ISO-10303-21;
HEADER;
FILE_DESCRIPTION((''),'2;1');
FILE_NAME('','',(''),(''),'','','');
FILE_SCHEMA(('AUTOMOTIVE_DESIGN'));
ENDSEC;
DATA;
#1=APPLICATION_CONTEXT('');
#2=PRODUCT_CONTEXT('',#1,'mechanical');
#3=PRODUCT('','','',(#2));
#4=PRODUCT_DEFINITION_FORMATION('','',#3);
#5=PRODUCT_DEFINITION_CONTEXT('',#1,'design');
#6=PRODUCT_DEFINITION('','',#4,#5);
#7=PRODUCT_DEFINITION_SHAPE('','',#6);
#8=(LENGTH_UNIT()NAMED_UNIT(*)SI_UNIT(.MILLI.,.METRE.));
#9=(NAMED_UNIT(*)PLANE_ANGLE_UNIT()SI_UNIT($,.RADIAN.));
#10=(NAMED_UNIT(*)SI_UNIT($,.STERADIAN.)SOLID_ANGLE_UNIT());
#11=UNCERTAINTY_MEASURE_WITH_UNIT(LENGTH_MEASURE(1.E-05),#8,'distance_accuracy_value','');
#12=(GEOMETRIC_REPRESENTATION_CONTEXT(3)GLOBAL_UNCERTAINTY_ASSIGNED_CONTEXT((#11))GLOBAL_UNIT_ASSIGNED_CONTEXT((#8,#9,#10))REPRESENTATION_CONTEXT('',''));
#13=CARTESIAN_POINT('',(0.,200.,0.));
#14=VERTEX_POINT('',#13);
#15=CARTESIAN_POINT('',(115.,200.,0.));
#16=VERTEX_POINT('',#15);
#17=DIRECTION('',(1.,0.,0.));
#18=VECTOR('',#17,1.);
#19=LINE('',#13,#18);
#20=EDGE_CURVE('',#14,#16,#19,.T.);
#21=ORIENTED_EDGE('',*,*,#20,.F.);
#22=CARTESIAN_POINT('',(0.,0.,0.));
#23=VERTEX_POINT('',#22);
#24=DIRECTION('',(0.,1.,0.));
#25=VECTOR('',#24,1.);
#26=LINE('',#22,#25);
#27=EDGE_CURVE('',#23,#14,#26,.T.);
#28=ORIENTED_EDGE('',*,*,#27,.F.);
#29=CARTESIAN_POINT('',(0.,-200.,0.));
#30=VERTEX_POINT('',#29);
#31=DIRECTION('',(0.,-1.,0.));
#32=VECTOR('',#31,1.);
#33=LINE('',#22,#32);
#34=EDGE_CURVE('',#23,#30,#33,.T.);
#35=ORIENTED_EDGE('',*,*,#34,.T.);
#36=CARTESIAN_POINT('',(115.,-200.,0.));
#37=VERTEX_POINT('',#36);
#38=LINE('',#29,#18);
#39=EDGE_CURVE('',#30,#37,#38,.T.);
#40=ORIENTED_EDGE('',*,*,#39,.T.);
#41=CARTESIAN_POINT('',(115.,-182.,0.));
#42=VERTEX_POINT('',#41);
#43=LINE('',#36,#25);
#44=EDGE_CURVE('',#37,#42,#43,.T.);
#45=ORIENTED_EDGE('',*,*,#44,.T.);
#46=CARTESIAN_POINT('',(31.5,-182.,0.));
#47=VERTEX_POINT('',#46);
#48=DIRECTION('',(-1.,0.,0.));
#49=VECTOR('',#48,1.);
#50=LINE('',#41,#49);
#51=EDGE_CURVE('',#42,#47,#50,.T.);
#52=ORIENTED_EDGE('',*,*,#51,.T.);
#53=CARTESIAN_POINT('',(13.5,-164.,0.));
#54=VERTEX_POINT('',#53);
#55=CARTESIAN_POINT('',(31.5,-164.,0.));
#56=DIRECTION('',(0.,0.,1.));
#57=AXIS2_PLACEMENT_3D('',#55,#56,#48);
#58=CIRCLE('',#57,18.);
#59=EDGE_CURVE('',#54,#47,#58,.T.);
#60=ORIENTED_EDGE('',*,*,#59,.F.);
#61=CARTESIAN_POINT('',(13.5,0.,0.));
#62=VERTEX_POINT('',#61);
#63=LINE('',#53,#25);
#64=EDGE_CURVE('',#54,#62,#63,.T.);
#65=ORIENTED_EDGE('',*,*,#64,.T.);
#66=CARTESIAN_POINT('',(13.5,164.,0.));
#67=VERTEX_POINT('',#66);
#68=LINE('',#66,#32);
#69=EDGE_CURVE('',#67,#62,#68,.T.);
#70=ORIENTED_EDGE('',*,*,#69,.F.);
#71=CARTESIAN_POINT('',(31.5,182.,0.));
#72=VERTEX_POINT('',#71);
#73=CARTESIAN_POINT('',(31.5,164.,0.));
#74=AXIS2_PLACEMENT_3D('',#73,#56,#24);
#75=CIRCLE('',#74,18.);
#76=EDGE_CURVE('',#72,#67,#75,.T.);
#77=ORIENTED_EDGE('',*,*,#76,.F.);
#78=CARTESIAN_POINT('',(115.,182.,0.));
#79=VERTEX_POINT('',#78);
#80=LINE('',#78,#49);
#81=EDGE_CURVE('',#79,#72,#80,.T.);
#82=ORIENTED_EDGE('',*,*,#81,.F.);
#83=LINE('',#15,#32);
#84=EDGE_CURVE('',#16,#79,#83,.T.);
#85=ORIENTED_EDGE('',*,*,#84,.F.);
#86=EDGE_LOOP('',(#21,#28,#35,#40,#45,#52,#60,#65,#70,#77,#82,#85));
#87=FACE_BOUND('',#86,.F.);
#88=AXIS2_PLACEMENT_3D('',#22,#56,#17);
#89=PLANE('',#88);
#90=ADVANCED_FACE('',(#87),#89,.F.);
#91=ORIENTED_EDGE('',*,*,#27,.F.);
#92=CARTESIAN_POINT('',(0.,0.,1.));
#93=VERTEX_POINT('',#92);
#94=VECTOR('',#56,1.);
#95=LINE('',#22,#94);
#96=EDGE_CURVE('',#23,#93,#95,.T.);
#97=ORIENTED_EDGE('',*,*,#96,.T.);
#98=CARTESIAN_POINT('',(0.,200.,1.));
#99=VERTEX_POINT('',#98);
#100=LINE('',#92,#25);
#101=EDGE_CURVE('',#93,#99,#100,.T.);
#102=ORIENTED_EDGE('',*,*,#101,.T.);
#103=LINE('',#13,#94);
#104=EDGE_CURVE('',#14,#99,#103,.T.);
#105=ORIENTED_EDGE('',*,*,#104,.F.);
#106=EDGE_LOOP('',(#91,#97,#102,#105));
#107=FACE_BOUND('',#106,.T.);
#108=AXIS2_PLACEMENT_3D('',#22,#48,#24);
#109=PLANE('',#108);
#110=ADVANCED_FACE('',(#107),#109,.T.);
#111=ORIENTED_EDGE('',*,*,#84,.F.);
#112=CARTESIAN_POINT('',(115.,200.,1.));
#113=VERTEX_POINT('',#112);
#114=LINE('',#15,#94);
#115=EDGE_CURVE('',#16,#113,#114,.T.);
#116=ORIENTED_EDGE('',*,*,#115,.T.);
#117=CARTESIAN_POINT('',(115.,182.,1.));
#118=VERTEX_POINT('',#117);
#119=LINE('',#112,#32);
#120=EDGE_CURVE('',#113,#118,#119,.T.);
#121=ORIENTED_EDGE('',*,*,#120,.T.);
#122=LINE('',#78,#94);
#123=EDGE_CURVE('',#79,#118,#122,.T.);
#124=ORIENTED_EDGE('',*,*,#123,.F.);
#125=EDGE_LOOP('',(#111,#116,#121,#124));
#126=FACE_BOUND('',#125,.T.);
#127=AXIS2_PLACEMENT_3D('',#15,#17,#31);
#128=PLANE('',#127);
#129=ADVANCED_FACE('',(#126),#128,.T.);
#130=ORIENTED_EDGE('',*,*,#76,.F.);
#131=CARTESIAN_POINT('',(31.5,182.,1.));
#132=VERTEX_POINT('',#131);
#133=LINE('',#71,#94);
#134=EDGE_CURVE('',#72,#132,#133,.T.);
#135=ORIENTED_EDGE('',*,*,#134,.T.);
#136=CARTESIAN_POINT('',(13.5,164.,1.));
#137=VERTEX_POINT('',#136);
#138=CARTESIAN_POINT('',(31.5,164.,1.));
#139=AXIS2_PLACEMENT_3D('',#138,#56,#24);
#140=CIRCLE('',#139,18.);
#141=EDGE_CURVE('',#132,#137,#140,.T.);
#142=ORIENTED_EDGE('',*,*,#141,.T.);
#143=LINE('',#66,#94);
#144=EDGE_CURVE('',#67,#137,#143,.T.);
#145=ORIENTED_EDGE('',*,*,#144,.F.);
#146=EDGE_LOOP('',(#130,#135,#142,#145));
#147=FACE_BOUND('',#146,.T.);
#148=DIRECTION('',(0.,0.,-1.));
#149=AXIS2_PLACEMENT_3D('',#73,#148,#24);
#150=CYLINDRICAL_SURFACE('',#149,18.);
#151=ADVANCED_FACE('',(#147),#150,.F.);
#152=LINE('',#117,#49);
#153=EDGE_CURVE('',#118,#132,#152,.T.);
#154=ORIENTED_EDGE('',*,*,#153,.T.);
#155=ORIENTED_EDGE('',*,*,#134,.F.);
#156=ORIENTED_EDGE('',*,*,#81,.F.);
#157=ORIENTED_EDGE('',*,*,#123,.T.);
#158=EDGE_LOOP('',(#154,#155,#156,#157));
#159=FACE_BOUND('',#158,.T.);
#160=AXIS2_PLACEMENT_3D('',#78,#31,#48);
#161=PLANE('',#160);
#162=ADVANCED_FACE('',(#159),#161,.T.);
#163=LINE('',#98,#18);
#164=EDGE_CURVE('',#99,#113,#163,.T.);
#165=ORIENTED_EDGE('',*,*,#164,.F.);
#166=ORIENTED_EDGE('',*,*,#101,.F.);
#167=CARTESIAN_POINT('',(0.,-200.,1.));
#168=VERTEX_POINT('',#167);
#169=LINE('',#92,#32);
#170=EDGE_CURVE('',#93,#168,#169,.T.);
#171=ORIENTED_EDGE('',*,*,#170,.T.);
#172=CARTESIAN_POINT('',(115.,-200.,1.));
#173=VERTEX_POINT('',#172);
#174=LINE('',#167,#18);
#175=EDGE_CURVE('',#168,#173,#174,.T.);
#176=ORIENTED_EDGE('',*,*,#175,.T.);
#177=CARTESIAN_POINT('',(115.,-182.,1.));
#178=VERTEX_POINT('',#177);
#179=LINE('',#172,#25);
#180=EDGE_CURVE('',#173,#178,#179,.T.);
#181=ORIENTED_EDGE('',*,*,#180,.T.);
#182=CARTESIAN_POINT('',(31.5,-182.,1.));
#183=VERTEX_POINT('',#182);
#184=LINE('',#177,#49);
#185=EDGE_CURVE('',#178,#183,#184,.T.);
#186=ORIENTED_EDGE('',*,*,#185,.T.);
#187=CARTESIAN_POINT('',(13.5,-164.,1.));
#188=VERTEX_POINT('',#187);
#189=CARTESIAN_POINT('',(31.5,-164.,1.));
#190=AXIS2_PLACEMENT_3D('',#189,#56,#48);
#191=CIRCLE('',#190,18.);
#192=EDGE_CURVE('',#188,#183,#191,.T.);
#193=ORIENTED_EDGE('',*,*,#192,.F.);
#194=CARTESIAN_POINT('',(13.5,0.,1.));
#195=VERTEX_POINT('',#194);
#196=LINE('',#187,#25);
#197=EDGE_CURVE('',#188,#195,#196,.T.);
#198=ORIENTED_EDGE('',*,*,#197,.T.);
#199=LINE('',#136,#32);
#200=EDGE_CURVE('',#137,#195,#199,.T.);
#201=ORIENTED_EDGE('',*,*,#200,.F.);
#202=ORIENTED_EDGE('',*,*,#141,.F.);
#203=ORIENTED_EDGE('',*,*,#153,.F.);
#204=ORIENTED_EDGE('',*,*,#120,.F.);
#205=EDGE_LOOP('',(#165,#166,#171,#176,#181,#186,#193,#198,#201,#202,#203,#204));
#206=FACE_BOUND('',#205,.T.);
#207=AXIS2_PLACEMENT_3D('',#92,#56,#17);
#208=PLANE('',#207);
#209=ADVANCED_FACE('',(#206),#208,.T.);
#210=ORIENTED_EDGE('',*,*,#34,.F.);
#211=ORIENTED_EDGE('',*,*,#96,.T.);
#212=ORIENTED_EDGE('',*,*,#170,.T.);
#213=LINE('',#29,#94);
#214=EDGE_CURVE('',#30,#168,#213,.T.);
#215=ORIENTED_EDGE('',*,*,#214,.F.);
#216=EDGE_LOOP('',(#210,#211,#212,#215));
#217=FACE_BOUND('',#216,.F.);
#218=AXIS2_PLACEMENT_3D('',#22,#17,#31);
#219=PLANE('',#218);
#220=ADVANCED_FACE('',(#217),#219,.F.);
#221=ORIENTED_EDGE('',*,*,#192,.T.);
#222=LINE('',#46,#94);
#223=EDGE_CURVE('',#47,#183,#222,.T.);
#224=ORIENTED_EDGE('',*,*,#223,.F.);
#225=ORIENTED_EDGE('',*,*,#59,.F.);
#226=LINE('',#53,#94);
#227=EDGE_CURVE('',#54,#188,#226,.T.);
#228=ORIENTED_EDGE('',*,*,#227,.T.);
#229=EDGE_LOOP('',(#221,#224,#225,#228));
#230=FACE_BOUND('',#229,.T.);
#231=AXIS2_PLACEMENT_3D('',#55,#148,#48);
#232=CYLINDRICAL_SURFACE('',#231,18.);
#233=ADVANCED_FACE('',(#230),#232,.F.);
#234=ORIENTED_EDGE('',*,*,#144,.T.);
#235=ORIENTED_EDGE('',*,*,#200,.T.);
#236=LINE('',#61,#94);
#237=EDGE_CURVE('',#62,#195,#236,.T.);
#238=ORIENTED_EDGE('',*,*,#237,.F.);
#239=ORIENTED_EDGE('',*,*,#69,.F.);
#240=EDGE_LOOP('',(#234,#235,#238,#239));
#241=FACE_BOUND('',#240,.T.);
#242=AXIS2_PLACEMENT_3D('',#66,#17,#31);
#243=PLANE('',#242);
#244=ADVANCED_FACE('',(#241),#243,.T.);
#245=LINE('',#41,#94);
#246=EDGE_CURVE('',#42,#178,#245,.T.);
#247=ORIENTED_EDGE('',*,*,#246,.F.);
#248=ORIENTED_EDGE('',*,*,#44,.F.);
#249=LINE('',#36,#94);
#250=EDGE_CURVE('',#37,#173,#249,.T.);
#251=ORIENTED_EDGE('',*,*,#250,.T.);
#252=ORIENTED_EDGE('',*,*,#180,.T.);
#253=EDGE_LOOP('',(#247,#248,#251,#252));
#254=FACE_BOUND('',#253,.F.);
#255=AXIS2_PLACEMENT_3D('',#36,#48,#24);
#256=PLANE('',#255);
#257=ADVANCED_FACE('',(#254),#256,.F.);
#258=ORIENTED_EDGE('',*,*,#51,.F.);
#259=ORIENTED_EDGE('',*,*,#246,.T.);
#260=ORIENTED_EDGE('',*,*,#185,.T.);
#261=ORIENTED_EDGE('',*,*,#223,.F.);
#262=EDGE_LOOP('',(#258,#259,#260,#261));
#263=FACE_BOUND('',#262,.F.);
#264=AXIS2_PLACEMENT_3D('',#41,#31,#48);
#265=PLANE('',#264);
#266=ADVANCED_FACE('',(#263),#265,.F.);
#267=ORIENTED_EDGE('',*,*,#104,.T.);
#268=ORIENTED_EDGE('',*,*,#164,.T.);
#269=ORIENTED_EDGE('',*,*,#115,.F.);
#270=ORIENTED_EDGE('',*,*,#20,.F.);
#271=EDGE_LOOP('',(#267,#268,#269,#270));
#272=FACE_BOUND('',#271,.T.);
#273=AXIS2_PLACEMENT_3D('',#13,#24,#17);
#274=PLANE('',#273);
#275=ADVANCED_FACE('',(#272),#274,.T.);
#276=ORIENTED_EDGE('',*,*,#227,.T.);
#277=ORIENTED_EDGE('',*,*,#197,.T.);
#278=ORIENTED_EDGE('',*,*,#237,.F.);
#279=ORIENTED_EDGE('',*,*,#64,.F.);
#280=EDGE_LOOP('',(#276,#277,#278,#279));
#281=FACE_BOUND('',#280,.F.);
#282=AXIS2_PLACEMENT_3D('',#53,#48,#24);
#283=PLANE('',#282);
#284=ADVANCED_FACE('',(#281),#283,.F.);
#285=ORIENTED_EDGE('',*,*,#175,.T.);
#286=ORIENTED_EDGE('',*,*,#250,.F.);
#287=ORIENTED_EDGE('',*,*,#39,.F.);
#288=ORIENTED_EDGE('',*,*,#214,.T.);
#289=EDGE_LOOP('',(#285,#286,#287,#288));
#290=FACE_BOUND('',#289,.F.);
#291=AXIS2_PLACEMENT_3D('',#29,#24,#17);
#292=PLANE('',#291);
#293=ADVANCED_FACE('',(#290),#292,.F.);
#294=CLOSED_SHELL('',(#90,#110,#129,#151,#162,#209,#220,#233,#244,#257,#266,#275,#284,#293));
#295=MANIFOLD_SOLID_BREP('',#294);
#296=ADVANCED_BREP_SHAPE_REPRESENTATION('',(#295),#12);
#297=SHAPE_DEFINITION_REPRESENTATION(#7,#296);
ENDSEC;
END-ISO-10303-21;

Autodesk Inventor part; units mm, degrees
ref_plane "YZ Plane" through (0, 0, 0) normal (1, 0, 0) x (0, 1, 0)
ref_plane "Начальная плоскость" through (0, 0, 0) normal (0, 0, 1) x (1, 0, 0)
ref_plane "Конечная плоскость" through (0, 0, 1) normal (0, 0, 1) x (1, 0, 0)
sketch "Эскиз" plane through (0, 0, 0) normal (0, 0, 1) x (1, 0, 0)
  line L0 (0, 0) -> (0, 200)
  line L1 (0, 200) -> (115, 200)
  line L2 (115, 200) -> (115, 182)
  line L3 (13.5, 164) -> (13.5, 0)
  line L4 (13.5, 0) -> (0, 0) construction
  line L5 (0, 0) -> (0, -200)
  line L6 (0, -200) -> (115, -200)
  line L7 (115, -200) -> (115, -182)
  line L8 (115, -182) -> (31.5, -182)
  line L9 (13.5, -164) -> (13.5, 0)
  arc A0 (13.5, -164) -> (31.5, -182) centre (31.5, -164) ccw
  arc A1 (31.5, 182) -> (13.5, 164) centre (31.5, 164) ccw
  line L10 (0, 280) -> (0, -280) construction
  line L11 (115, 182) -> (31.5, 182)
  line L12 (29.8, 200) -> (29.8, -200) construction
  point P0 (13.5, -182)
  dimension "d0" = 13.5
  dimension "d2" = 115
  dimension "d23" = 18
  dimension "d30" = 90
  dimension "d31" = 18
  dimension "d32" = 29.8
  dimension "d33" = 400
extrude "Базовый элемент" add sketch "Эскиз" along normal up to surface (1 mm away) from surface at 0
sketch "Sketch3" plane through (0, 0, 0) normal (0, 0, 1) x (1, 0, 0)
  line L0 (0, 0) -> (10, 0)
ref_plane "Work Plane3" through (0, 0, 0) normal (0, -1, 0) x (1, 0, 0)
sketch "Sketch4" plane through (0, 0, 0) normal (0, -1, 0) x (1, 0, 0)
  line L0 (-2, 0) -> (12, 0)
  line L1 (-2, 1) -> (12, 1)
  dimension "d28" = 1
equation "\"d0\" = G_T"
equation "\"d2\" = G_W"
equation "\"d23\" = G_IR"
equation "\"d31\" = G_T1"
equation "\"d32\" = G_C"
equation "\"d33\" = G_H"
equation "\"d6\" = G_L"
equation "\"G_W\" = 115"
equation "\"G_H\" = 400"
equation "\"G_T\" = 13.5"
equation "\"G_T1\" = 18"
equation "\"G_NG\" = 0"
equation "\"G_IR\" = 18"
equation "\"G_C\" = 29.8"
equation "\"G_L\" = d28"
equation "\"ex\" = 0"
equation "\"G_OFFSET_START\" = 0"
equation "\"G_OFFSET_END\" = 0"
equation "\"d26\" = G_OFFSET_END + B_L"
equation "\"B_L\" = 1"
properties part number "DIN 1026-2" material "S235JR ДСТУ EN 10025-1"
